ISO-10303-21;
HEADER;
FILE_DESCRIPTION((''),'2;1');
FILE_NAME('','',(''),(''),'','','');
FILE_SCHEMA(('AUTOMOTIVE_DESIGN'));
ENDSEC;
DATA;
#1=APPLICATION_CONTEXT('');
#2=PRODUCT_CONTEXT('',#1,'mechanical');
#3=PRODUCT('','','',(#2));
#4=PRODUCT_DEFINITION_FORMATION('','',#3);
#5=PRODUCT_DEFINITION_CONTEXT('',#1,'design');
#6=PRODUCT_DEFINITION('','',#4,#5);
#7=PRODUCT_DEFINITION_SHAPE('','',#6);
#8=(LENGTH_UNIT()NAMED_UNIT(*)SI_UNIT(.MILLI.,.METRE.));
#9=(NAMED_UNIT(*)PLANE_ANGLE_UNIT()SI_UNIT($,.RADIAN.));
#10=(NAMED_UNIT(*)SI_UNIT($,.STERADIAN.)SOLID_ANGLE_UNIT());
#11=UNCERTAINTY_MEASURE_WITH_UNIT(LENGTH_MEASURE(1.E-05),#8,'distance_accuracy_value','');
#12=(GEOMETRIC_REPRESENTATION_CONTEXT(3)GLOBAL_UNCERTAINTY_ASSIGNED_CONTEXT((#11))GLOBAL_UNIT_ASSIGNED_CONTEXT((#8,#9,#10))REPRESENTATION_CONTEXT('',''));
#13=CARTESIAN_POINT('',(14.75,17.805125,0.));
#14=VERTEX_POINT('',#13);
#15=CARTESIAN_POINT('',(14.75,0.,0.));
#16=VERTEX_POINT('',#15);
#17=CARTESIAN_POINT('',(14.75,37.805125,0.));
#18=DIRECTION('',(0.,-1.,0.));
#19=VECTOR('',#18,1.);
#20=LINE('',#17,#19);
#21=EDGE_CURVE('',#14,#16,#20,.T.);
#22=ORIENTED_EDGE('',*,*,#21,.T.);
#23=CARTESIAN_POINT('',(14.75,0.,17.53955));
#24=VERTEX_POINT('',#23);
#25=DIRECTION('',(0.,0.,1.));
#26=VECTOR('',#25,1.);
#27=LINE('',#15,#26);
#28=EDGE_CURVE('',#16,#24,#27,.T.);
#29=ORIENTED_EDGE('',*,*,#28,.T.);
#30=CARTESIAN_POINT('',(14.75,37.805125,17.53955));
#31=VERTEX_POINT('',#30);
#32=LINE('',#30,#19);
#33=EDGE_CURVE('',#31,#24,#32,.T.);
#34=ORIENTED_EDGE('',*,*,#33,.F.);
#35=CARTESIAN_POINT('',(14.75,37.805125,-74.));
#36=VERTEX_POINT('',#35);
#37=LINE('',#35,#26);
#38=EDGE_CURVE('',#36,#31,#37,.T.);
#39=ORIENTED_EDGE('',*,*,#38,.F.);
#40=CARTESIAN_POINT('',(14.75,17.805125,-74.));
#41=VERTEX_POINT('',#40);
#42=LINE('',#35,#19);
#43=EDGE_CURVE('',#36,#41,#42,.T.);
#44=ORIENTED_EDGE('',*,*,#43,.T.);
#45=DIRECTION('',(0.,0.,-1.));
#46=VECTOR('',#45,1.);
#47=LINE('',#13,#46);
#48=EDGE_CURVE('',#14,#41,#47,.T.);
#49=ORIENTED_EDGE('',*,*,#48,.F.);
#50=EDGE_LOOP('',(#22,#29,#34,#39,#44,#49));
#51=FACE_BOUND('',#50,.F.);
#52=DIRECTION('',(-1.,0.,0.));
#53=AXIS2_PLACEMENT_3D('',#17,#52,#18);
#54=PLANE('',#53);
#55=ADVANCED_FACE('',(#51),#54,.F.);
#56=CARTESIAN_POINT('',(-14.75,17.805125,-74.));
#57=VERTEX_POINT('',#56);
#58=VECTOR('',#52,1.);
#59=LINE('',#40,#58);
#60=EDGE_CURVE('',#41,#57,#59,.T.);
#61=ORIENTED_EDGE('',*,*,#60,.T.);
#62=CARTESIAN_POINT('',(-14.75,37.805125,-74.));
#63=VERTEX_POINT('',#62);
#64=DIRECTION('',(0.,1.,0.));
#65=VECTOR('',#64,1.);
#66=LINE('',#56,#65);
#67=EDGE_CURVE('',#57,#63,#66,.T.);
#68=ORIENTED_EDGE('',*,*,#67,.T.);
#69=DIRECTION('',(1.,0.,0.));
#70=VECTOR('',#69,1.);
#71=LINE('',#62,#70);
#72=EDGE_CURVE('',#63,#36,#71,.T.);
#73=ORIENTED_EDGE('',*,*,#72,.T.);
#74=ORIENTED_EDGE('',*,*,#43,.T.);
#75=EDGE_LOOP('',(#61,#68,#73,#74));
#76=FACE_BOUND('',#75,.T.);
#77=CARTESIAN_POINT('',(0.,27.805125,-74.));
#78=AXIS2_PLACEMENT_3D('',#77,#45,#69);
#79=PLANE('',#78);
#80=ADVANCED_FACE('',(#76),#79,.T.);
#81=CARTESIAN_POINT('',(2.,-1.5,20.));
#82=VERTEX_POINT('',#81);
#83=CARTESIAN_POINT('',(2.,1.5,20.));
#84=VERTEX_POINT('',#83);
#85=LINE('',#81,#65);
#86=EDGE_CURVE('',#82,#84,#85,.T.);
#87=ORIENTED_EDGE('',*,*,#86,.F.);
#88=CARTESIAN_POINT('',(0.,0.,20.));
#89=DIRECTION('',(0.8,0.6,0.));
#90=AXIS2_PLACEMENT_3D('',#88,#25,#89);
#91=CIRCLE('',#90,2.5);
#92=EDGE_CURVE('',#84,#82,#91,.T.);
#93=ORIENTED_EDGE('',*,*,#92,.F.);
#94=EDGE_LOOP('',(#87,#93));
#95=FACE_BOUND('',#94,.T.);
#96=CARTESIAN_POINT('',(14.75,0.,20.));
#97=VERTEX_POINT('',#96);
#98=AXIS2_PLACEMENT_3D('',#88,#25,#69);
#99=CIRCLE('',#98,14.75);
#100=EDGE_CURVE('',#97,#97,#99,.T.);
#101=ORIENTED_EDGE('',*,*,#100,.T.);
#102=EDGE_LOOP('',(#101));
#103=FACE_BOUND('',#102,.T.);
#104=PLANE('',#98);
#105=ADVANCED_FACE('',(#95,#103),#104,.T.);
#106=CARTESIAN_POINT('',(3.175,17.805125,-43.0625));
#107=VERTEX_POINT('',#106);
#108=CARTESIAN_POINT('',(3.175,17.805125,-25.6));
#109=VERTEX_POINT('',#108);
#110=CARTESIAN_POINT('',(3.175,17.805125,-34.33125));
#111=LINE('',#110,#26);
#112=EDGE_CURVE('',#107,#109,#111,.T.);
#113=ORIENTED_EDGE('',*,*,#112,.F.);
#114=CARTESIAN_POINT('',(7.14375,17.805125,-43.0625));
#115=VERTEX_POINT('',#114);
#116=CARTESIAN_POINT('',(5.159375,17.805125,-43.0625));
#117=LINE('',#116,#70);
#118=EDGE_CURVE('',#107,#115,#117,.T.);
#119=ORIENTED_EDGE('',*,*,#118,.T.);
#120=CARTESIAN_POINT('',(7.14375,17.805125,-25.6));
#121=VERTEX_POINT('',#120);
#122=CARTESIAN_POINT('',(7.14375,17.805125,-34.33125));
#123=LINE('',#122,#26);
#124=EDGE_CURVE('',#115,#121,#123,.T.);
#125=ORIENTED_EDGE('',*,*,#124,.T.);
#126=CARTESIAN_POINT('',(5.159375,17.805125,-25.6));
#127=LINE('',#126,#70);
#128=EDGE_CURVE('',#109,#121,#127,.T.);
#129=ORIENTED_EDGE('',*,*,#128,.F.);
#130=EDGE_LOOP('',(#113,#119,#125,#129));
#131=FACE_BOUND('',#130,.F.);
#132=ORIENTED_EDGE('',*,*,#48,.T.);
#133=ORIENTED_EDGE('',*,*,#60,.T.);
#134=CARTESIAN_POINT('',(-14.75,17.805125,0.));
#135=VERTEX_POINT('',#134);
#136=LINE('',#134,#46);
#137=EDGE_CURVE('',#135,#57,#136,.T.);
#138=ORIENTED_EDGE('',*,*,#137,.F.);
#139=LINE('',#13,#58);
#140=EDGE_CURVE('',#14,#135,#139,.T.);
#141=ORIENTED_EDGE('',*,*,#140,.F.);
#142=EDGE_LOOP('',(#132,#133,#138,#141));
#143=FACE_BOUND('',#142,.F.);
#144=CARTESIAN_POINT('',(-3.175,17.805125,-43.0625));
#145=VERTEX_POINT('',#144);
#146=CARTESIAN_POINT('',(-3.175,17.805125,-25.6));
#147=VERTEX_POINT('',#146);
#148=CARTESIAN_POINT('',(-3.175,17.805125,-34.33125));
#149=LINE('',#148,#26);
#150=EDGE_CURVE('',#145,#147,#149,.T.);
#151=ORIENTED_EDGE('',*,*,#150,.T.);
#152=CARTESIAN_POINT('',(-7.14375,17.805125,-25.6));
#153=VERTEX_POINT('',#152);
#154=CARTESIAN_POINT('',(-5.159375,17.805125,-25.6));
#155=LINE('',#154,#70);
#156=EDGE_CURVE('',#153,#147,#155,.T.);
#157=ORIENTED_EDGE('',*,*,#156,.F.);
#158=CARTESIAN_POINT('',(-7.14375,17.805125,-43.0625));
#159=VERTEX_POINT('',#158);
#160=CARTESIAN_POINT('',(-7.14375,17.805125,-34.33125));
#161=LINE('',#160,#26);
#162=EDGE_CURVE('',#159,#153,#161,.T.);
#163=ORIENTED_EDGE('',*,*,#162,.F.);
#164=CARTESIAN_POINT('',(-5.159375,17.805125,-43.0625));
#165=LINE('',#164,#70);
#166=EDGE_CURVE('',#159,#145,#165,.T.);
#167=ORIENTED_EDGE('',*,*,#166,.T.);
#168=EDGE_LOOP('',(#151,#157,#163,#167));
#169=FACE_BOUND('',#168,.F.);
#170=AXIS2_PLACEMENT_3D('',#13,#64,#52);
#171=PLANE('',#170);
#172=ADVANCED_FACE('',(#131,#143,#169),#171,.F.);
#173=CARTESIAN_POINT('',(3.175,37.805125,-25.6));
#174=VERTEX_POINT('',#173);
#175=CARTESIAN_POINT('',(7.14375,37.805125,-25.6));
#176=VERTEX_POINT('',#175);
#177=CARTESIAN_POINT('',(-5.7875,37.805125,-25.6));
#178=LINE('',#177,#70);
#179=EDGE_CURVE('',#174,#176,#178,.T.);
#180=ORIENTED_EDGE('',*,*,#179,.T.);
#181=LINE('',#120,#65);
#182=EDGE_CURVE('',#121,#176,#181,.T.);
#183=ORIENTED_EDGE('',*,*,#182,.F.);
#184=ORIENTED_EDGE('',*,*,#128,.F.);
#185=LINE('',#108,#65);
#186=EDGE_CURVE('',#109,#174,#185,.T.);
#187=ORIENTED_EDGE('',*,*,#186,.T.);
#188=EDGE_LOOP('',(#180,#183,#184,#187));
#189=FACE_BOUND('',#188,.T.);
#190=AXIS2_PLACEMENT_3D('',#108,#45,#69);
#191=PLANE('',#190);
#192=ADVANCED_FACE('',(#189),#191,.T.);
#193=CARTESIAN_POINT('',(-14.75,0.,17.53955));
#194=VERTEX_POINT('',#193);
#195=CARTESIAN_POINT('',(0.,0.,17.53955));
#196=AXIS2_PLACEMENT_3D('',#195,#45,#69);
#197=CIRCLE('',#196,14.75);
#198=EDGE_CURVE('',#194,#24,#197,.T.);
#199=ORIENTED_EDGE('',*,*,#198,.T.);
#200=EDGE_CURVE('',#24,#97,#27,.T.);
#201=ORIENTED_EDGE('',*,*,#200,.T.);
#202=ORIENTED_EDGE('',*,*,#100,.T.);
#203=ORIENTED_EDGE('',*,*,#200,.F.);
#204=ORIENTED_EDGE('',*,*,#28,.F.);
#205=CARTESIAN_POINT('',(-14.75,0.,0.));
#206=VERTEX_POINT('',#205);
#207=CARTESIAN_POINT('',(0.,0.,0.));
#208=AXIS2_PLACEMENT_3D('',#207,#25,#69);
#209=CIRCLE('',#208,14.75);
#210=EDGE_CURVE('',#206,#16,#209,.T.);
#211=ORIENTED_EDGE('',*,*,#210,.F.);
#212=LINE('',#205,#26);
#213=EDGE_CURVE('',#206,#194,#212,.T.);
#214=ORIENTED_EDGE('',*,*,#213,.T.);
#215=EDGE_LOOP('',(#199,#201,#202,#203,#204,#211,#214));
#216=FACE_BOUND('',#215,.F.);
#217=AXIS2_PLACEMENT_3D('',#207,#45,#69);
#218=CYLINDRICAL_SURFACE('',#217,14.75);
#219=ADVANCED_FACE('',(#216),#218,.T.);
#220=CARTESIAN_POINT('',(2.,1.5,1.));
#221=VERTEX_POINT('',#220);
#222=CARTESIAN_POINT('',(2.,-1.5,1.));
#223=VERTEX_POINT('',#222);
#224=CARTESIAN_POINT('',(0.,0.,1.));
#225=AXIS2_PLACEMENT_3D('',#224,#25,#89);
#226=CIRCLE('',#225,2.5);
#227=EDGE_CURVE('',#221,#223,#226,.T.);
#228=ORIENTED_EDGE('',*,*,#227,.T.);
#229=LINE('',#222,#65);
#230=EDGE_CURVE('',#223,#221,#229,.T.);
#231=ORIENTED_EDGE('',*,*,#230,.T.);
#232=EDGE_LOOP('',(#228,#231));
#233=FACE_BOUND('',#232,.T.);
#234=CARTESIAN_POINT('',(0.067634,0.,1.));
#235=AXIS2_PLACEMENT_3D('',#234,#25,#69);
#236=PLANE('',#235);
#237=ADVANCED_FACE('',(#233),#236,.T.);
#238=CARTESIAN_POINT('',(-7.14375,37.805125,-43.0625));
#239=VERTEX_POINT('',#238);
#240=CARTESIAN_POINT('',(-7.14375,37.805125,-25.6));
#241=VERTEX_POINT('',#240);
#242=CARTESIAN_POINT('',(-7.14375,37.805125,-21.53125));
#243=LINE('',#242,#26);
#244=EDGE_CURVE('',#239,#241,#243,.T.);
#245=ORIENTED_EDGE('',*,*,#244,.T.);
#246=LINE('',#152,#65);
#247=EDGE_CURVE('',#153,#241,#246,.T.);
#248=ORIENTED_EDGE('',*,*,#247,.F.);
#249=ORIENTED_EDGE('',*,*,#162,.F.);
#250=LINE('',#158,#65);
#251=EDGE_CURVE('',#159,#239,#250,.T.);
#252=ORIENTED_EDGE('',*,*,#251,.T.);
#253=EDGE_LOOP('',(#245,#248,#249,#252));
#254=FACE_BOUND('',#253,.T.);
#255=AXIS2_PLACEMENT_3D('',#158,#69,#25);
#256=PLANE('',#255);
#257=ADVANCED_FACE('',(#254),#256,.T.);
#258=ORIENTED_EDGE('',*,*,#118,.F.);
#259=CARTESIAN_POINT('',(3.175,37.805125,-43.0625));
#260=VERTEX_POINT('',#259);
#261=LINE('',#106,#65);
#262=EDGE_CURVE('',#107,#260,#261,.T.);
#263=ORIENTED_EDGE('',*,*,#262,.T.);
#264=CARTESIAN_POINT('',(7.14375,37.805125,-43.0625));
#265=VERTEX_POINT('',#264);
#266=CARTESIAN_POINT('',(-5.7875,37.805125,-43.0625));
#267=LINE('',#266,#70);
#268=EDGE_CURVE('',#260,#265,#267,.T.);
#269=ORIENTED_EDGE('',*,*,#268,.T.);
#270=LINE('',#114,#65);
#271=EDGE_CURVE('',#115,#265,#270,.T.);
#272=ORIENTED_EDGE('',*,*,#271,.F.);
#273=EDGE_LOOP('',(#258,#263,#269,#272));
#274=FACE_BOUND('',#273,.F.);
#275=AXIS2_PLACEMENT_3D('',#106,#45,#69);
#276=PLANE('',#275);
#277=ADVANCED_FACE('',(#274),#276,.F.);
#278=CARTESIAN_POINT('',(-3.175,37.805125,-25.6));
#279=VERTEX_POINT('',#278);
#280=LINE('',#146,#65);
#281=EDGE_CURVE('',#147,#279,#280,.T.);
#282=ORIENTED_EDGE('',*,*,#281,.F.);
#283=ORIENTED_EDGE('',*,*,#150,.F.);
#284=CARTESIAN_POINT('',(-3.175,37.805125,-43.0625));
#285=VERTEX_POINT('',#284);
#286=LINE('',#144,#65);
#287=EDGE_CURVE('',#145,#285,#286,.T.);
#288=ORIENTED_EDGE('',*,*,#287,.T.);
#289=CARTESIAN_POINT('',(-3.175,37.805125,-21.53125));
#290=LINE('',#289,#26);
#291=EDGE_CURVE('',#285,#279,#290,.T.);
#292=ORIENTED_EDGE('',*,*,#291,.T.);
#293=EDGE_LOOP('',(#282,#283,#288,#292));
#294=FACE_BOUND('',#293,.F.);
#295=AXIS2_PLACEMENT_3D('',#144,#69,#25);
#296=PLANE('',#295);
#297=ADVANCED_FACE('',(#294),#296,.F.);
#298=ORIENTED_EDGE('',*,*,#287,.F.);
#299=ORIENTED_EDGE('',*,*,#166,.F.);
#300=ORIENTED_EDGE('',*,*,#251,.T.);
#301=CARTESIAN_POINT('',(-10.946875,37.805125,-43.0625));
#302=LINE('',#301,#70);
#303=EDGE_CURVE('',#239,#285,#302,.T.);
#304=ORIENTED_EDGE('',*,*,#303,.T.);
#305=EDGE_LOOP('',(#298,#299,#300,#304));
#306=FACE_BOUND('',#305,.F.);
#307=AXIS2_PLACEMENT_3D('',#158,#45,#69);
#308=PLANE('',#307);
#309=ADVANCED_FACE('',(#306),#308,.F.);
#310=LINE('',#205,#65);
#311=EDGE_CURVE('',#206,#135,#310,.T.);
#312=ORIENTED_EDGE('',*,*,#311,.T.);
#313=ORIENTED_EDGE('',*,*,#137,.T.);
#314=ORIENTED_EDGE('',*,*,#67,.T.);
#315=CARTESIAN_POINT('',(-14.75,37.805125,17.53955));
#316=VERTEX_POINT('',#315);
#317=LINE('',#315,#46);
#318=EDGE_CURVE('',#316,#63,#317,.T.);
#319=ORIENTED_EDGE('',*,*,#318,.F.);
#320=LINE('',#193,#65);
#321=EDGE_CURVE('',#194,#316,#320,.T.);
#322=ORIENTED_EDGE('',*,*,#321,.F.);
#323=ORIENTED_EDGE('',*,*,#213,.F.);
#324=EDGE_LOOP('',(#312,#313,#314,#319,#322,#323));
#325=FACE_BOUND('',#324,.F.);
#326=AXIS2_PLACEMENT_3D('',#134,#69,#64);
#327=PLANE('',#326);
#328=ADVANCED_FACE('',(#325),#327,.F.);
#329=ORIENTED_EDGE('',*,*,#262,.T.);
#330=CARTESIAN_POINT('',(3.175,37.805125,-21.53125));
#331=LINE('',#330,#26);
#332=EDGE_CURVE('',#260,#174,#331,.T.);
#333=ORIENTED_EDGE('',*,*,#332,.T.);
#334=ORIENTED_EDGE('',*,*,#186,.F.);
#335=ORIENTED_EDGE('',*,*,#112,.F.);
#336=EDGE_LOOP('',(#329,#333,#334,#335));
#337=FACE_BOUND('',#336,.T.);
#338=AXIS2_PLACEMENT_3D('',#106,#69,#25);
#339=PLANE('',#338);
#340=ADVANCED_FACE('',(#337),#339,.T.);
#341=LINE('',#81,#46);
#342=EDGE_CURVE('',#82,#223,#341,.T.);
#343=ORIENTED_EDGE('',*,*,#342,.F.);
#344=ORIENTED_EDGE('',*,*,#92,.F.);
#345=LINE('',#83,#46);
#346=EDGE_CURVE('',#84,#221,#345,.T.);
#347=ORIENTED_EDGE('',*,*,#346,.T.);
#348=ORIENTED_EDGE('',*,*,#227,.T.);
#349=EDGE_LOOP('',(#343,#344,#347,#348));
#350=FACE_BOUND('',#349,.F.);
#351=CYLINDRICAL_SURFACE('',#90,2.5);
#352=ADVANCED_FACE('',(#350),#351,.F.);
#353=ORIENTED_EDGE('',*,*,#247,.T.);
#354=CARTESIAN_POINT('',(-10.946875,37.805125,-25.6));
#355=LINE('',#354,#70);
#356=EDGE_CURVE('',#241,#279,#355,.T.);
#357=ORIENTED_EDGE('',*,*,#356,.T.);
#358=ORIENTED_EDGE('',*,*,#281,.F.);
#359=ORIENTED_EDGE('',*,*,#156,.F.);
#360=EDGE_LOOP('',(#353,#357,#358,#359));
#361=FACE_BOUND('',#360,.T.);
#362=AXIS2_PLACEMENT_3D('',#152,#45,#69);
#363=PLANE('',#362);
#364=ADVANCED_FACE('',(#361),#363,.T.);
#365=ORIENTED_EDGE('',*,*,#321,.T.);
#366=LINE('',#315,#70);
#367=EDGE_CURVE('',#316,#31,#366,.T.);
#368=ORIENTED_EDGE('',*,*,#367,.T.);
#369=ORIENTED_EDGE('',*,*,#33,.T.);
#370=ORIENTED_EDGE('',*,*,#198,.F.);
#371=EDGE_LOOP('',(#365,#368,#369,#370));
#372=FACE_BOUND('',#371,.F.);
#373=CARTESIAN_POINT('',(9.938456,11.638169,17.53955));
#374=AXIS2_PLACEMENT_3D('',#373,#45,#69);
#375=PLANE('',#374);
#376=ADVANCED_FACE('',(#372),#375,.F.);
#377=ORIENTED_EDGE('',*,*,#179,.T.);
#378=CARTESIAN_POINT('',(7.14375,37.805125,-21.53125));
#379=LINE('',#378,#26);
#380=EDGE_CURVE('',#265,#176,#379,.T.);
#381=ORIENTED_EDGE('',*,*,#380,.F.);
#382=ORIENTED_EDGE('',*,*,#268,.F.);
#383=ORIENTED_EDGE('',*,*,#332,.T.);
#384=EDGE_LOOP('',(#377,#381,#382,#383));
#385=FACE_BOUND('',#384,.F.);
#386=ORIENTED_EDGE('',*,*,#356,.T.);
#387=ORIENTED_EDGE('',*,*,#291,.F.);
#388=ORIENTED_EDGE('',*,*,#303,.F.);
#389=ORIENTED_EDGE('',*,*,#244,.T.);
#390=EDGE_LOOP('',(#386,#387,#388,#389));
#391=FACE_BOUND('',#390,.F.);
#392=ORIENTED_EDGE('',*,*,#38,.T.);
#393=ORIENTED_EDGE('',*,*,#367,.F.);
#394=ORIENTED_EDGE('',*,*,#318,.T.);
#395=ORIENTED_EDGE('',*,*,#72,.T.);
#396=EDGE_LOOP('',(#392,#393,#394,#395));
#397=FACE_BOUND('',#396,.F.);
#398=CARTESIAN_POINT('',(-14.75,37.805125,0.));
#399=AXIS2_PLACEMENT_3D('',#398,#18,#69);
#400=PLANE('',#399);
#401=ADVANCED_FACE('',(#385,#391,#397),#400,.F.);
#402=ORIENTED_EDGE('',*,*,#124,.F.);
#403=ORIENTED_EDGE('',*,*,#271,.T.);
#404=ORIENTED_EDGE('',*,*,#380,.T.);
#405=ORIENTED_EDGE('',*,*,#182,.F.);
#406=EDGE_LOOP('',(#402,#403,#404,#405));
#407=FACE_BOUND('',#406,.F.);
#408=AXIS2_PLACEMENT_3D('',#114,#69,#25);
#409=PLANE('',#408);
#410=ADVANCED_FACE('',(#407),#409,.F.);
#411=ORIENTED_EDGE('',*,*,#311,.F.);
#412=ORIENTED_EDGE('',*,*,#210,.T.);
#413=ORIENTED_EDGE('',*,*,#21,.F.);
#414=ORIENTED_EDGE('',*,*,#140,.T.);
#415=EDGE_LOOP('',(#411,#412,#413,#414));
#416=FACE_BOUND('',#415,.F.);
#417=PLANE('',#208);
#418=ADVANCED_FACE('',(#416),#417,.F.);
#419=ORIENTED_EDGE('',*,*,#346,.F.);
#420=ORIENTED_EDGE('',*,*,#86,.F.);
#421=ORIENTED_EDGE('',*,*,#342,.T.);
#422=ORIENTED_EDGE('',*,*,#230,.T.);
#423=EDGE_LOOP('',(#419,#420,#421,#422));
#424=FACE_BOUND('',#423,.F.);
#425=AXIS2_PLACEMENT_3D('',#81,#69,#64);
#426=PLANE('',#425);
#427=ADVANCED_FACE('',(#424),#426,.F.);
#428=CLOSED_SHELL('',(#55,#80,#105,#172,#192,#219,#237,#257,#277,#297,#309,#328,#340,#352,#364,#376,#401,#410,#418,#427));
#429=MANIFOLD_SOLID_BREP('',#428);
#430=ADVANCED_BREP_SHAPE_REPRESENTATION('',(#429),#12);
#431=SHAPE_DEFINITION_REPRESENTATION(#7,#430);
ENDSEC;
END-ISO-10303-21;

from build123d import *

# Parameters (mm, degrees)
F0_R     = 14.75
F1_DEPTH = 20
F3_DEPTH = 17.53955
F4_DEPTH = 74
F6_DEPTH = 19
F7_W     = 3.96875
F7_H     = 17.4625
F8_DEPTH = 20.001


with BuildPart() as f1:
    # F0 (on Top) → F1 (new body)
    with BuildSketch(Plane.XY):
        Circle(F0_R)
    extrude(amount=F1_DEPTH)

    # F2 (on face) → F3 (join)
    with BuildSketch(Plane(origin=(0, 0, 0), x_dir=(1, 0, 0), z_dir=(0, 0, -1))):
        with BuildLine():
            Line((0, -14.75), (0, -17.8051246337))
            Line((0, -17.8051246337), (14.75, -17.8051246337))
            Line((14.75, -17.8051246337), (14.75, 0))
            ThreePointArc((14.75, 0), (10.4298250225, -10.4298250225), (0, -14.75))
        make_face()
        with BuildLine():
            Line((-14.75, -17.8051246337), (0, -17.8051246337))
            Line((0, -17.8051246337), (0, -14.75))
            ThreePointArc((0, -14.75), (-10.4298250225, -10.4298250225), (-14.75, 0))
            Line((-14.75, 0), (-14.75, -17.8051246337))
        make_face()
        with BuildLine():
            ThreePointArc((-14.75, 0), (-10.4298250225, -10.4298250225), (0, -14.75))
            Line((0, -14.75), (0, 0))
            Line((0, 0), (-14.75, 0))
        make_face()
        with BuildLine():
            Line((0, 0), (0, -14.75))
            ThreePointArc((0, -14.75), (10.4298250225, -10.4298250225), (14.75, 0))
            Line((14.75, 0), (0, 0))
        make_face()
        Polygon((14.75, -17.8051246337), (0, -17.8051246337), (-14.75, -17.8051246337), (-14.75, -37.8051246337), (14.75, -37.8051246337), align=None)
    extrude(amount=-F3_DEPTH)

    # F2 (on face) → F4 (join)
    with BuildSketch(Plane(origin=(0, 0, 0), x_dir=(1, 0, 0), z_dir=(0, 0, -1))):
        Polygon((14.75, -17.8051246337), (0, -17.8051246337), (-14.75, -17.8051246337), (-14.75, -37.8051246337), (14.75, -37.8051246337), align=None)
    extrude(amount=F4_DEPTH)

    # F5 (on face) → F6 (cut)
    with BuildSketch(Plane.XY.offset(20)):
        with BuildLine():
            Line((2, -1.5), (2, 1.5))
            ThreePointArc((2, 1.5), (-2.5, 0), (2, -1.5))
        make_face()
    extrude(amount=-F6_DEPTH, mode=Mode.SUBTRACT)

    # F7 (on face) → F8 (cut, through all)
    with BuildSketch(Plane.XZ.offset(-17.8051246337)):
        with Locations((5.159375, -34.33125)):
            Rectangle(F7_W, F7_H)
        with Locations((-5.159375, -34.33125)):
            Rectangle(F7_W, F7_H)
    extrude(amount=-F8_DEPTH, mode=Mode.SUBTRACT)


solid = f1.part
